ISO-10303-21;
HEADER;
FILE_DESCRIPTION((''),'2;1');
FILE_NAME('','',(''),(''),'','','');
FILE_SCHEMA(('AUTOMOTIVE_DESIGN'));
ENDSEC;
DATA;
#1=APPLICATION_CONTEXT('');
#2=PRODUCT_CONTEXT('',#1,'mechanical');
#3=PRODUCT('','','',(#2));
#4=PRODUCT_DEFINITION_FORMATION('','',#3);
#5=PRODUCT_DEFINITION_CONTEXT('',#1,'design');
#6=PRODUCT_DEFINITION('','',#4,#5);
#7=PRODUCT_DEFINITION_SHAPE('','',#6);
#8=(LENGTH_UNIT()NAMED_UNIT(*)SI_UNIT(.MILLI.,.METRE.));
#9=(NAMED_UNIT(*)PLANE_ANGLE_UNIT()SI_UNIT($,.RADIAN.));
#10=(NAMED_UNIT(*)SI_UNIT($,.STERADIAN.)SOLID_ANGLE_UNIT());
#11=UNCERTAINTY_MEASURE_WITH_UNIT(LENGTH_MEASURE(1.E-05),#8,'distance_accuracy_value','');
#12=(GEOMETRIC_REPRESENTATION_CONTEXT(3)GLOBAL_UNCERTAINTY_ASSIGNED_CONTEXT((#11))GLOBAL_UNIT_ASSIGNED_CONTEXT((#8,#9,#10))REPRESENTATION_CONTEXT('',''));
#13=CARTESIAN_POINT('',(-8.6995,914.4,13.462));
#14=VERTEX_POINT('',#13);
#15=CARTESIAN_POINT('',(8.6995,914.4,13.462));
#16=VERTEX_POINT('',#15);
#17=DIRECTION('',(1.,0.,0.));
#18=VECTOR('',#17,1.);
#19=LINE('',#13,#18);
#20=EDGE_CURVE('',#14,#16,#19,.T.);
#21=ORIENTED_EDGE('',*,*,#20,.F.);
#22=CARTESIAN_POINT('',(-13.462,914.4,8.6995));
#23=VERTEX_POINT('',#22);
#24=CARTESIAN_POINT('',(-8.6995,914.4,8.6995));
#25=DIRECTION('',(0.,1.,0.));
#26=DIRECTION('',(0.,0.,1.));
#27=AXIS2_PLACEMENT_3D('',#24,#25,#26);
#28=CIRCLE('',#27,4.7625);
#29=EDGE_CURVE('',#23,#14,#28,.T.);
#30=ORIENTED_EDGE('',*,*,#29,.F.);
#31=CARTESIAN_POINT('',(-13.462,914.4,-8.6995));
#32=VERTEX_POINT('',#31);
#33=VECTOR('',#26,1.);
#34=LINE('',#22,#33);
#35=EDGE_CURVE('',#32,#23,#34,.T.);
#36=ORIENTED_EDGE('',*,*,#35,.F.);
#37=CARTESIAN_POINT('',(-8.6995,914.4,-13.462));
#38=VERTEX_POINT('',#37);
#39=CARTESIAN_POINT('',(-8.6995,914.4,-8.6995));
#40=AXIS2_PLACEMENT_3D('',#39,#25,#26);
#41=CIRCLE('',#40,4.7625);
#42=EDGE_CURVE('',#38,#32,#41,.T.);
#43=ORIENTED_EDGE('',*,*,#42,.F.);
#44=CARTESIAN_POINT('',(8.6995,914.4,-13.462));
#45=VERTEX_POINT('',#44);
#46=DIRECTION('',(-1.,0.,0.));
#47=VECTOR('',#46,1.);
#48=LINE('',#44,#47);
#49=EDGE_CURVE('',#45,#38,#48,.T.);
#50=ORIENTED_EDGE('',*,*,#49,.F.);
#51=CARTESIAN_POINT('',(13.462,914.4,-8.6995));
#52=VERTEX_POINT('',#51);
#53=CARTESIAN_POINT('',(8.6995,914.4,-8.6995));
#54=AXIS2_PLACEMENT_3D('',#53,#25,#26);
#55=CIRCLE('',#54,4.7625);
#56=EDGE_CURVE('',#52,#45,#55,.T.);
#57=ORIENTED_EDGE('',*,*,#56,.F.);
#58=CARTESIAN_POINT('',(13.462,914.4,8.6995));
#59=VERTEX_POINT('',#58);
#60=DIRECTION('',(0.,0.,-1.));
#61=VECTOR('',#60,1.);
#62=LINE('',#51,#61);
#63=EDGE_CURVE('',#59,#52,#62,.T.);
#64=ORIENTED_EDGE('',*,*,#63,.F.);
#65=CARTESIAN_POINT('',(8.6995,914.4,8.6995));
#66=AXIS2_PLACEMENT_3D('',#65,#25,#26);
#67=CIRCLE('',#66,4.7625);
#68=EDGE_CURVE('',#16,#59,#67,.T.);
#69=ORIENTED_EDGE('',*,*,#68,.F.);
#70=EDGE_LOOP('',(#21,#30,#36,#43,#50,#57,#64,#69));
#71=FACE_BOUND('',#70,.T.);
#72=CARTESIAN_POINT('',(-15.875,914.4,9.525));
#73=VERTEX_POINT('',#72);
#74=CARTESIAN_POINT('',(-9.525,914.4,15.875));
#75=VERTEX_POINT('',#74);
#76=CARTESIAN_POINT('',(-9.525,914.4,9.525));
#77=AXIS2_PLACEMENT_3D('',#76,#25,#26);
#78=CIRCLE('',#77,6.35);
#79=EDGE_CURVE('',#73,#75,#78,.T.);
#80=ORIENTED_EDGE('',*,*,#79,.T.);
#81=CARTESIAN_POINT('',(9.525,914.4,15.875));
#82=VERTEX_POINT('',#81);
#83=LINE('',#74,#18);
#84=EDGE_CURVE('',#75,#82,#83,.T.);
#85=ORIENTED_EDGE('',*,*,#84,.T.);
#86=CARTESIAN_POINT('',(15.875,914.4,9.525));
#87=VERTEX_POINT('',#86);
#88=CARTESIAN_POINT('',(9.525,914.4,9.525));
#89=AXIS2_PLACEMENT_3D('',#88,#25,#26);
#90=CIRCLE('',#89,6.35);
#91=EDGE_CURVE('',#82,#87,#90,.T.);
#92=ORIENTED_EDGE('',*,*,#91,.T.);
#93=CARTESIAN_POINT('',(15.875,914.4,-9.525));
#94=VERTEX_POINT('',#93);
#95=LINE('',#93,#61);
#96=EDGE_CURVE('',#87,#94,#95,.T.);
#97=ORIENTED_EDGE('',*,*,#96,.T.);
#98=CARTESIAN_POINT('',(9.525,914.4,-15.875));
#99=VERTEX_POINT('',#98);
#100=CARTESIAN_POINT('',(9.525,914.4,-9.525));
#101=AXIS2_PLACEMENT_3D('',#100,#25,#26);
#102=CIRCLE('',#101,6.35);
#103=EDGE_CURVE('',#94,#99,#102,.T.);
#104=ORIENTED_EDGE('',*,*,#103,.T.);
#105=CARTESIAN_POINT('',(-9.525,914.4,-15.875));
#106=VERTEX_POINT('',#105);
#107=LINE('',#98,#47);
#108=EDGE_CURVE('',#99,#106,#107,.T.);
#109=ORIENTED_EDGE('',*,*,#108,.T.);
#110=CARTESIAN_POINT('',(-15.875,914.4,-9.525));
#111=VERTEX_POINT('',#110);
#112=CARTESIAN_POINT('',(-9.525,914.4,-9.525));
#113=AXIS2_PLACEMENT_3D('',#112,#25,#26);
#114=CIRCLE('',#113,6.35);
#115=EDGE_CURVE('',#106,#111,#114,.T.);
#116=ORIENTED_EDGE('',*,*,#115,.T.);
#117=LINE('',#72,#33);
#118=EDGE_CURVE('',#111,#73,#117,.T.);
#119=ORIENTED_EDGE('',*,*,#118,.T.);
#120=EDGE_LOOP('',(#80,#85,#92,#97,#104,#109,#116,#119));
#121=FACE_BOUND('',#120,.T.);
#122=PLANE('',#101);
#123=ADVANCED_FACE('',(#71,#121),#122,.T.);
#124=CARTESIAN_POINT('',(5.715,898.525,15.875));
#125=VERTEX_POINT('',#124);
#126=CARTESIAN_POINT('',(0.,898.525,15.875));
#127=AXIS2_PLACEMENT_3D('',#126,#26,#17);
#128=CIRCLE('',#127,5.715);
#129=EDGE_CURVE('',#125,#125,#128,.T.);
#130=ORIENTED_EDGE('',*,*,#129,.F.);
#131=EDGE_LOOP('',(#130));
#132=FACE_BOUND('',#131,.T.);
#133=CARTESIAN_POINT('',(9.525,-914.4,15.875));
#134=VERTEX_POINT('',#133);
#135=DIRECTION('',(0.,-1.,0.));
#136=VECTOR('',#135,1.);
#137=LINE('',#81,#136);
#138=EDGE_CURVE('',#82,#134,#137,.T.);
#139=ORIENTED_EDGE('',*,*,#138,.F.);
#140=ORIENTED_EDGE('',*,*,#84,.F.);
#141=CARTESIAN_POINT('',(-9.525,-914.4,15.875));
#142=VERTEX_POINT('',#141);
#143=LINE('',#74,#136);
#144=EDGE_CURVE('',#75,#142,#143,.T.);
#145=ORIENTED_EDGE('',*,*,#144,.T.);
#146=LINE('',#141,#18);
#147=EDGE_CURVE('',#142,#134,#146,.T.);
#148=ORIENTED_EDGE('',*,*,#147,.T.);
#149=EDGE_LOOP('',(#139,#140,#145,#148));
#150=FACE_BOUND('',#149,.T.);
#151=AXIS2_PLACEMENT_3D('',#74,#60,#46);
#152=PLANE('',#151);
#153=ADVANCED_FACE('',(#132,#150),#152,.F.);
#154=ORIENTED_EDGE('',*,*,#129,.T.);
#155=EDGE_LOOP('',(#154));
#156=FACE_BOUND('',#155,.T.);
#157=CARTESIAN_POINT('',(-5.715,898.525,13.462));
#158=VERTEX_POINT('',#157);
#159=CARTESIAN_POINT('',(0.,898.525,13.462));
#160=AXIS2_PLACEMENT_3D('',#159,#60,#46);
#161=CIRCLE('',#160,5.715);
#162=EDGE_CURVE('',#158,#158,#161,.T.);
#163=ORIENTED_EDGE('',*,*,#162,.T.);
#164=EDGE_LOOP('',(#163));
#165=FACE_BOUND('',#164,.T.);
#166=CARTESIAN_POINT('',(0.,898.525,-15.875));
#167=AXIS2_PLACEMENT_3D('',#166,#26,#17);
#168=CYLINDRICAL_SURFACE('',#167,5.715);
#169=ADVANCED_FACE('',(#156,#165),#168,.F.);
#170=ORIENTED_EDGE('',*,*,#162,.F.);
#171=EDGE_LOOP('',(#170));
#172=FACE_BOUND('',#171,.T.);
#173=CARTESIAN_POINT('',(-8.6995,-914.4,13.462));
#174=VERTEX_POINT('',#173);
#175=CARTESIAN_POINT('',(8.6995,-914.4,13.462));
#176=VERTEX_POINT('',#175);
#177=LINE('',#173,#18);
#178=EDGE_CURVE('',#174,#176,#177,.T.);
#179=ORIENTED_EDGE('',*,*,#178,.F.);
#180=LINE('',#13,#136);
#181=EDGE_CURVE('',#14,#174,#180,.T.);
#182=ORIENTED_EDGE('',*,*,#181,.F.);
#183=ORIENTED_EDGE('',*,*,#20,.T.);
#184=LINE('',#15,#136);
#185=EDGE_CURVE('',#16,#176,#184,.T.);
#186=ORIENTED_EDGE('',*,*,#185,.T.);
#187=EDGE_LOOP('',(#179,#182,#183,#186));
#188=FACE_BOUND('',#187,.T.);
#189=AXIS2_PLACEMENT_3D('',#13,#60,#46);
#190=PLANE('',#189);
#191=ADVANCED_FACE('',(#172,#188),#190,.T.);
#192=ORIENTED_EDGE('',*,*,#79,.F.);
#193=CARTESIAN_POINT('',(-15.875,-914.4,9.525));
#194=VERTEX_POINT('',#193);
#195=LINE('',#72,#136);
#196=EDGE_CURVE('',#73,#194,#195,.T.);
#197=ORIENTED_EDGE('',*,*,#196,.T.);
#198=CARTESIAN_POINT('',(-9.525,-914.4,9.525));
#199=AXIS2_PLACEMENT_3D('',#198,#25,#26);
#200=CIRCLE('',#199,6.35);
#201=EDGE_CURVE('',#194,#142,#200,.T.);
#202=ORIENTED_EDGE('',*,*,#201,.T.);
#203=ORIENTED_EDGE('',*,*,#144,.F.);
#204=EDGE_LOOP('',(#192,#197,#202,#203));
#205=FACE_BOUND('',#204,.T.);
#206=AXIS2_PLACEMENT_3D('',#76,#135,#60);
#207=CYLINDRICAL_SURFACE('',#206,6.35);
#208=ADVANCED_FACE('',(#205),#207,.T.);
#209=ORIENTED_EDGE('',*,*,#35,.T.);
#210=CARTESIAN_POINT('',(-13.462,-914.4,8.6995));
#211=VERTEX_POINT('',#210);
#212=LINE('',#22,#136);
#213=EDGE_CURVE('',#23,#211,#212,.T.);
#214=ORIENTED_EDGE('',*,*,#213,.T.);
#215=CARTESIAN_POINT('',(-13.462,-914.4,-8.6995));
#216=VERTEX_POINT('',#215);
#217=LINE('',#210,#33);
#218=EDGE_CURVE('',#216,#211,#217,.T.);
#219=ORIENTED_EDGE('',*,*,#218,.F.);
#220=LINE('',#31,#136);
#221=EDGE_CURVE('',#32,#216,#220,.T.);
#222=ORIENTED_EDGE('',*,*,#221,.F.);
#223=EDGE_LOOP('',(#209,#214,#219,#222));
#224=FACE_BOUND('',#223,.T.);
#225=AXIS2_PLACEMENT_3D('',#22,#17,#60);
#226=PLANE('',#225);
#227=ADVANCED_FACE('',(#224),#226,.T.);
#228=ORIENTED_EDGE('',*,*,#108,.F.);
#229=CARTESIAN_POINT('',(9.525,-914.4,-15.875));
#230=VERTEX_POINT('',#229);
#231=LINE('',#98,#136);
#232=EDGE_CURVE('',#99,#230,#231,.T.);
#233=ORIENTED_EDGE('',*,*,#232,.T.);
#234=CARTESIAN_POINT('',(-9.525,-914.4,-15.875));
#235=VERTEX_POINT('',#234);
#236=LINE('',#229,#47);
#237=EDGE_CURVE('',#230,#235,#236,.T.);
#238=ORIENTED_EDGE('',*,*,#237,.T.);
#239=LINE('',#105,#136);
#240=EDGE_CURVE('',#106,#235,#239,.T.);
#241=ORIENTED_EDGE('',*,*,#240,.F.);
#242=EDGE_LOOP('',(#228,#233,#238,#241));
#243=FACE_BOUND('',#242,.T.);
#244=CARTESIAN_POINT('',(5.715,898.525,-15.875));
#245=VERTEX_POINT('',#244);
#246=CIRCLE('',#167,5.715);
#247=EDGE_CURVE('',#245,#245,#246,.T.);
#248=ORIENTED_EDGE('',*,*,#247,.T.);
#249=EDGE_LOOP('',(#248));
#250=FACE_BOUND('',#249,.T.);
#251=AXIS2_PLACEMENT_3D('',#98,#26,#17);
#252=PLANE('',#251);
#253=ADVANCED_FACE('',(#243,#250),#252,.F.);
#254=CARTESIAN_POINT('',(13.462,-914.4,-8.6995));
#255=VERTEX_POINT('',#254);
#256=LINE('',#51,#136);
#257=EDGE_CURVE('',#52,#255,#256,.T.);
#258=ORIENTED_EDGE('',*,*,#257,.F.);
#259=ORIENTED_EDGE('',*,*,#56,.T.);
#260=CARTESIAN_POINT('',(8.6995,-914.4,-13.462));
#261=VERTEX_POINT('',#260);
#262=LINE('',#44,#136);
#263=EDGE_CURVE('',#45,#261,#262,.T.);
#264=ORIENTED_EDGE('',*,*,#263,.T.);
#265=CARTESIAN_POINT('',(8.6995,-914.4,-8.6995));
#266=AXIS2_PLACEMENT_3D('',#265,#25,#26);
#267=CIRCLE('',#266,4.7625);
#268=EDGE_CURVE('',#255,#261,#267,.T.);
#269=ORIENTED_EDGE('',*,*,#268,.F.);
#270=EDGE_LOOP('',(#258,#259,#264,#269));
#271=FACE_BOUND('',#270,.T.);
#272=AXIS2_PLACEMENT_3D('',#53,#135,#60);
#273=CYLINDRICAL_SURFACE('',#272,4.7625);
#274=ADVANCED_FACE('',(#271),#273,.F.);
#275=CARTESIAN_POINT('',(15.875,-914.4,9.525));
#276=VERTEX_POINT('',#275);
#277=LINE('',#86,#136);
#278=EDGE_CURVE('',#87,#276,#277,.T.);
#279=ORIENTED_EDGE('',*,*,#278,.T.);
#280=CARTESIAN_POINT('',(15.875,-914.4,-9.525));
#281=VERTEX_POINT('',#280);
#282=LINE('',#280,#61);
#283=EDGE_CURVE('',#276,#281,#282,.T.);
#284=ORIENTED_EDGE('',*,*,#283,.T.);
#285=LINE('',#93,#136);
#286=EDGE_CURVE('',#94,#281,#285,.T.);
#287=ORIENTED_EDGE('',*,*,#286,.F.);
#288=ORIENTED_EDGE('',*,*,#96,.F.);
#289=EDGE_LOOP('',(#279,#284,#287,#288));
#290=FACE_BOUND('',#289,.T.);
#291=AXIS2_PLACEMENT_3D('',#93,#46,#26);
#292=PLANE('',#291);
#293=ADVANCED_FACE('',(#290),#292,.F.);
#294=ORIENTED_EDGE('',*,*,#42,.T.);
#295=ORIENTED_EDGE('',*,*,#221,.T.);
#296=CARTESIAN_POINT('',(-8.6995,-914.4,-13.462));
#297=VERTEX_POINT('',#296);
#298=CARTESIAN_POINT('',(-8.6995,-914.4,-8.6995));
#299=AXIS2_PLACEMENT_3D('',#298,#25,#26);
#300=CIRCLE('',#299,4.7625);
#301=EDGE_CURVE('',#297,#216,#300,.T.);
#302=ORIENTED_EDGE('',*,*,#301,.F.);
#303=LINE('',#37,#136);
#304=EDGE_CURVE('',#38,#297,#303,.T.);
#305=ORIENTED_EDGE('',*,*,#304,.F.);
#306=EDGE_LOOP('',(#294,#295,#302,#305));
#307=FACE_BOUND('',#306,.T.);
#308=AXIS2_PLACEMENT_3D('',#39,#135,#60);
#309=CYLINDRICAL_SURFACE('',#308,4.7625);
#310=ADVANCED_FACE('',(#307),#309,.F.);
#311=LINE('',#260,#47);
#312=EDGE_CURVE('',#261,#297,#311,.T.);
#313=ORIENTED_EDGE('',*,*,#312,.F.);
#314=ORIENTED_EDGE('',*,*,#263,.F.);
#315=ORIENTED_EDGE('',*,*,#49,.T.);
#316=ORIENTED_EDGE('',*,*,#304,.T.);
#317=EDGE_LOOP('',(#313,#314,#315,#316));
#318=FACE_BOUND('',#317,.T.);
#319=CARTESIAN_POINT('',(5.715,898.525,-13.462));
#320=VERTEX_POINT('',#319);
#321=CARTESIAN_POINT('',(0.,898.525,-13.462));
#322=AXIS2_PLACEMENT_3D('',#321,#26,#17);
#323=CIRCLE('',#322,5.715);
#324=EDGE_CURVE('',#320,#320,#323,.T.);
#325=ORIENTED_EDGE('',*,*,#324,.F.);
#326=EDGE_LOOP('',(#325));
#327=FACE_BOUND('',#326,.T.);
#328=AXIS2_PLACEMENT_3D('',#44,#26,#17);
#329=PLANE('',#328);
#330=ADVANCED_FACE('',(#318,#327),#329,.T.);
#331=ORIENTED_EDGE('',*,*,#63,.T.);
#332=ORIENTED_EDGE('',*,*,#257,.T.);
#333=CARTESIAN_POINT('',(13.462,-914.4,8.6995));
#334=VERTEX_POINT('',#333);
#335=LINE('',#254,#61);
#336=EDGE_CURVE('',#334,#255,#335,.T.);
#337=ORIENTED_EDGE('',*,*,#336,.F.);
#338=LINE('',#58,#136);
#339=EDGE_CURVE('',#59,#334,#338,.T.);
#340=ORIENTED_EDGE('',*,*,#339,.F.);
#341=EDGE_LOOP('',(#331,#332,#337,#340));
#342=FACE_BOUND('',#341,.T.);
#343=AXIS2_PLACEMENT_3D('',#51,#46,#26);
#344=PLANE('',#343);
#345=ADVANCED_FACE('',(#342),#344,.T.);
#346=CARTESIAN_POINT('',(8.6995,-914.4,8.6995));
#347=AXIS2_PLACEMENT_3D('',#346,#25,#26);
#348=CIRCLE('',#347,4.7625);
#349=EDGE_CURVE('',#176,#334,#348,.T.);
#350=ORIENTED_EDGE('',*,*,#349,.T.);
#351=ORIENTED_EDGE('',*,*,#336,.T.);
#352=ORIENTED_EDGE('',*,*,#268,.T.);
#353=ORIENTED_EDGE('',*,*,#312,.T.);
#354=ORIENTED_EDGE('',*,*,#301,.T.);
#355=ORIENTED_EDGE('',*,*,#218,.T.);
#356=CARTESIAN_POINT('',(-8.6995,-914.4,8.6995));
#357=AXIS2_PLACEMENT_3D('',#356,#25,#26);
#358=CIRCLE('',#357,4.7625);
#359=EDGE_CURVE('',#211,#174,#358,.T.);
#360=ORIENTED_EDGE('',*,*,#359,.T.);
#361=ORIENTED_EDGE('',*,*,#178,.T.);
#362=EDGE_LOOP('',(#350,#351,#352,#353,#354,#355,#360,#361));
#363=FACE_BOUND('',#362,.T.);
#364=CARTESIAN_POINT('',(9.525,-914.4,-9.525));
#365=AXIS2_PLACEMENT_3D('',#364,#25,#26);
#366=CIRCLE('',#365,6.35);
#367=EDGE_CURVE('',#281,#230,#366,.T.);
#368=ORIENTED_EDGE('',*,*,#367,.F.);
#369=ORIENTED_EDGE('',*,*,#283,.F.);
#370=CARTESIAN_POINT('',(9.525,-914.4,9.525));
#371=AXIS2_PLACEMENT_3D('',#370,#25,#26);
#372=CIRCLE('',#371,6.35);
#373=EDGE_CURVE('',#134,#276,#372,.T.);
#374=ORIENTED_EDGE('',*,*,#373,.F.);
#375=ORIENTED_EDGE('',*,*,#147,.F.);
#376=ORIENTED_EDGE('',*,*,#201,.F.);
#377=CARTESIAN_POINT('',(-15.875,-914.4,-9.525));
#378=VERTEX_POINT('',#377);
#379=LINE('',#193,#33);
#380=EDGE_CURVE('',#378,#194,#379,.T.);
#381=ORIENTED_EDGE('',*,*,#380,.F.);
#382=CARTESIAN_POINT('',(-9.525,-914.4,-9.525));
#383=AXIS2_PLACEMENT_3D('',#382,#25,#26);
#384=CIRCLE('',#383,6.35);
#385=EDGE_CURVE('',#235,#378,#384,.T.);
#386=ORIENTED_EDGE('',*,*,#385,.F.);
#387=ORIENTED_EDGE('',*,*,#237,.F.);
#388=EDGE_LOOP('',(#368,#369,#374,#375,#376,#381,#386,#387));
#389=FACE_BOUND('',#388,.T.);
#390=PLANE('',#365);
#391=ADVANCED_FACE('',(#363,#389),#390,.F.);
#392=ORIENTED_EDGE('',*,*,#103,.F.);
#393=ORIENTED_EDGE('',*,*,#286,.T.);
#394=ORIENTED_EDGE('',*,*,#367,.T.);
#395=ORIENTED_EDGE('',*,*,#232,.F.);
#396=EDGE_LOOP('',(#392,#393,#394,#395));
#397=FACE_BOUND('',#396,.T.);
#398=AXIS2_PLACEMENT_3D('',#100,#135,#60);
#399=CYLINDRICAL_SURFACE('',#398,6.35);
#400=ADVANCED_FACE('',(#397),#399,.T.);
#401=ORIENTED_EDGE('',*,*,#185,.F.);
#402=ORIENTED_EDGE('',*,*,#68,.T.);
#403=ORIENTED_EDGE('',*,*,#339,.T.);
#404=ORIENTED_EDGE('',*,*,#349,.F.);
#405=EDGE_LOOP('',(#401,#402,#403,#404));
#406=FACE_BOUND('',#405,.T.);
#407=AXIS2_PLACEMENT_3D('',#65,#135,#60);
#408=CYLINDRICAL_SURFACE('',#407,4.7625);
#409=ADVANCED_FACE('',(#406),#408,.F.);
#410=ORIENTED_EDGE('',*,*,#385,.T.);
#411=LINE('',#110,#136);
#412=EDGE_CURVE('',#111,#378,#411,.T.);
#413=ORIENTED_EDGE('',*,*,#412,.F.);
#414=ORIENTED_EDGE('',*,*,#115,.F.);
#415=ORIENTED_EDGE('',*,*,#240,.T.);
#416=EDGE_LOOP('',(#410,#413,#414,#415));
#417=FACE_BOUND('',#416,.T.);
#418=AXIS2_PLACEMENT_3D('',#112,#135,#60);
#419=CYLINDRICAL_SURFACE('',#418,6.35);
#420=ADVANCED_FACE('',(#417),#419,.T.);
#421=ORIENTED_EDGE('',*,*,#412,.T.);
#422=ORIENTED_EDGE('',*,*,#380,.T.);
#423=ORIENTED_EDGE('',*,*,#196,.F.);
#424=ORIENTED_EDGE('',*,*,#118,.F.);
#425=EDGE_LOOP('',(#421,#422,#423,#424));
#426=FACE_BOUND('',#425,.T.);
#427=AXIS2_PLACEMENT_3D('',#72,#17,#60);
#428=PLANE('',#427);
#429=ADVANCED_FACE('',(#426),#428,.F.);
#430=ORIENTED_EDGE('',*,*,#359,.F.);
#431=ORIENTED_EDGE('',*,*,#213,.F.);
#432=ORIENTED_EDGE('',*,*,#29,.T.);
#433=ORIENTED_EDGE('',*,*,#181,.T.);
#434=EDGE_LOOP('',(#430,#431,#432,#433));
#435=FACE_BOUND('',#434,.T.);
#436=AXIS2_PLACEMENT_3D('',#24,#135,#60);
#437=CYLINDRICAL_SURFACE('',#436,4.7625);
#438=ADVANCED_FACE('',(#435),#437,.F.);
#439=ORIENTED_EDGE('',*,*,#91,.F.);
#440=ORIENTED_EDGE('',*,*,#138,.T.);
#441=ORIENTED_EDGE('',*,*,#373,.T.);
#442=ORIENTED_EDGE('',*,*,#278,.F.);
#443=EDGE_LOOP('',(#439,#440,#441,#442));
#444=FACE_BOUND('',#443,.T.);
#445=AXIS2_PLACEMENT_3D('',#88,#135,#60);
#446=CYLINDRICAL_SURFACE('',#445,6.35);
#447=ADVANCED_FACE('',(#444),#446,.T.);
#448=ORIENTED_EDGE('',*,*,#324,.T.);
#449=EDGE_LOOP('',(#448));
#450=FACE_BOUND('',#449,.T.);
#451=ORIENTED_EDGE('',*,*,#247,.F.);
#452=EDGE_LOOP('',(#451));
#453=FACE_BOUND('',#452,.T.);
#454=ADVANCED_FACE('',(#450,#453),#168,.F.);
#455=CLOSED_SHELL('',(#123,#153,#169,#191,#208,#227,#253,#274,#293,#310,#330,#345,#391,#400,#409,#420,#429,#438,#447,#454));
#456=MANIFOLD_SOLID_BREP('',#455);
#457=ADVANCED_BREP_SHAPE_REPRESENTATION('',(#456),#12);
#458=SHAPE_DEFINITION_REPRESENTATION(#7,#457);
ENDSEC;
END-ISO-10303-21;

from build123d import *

# Parameters (mm, degrees)
BOSS_EXTRUDE1_DEPTH = 914.4
SKETCH2_R           = 5.715
CUT_EXTRUDE1_DEPTH  = 32.75


with BuildPart() as part:
    # Sketch1 → Boss-Extrude1 (new body, symmetric)
    with BuildSketch(Plane(origin=(0, 0, 0), x_dir=(1, 0, 0), z_dir=(0, 1, 0))):
        with BuildLine():
            Line((-9.525, -15.875), (9.525, -15.875))
            ThreePointArc((9.525, -15.875), (14.015128061, -14.015128061), (15.875, -9.525))
            Line((15.875, -9.525), (15.875, 9.525))
            ThreePointArc((15.875, 9.525), (14.015128061, 14.015128061), (9.525, 15.875))
            Line((9.525, 15.875), (-9.525, 15.875))
            ThreePointArc((-9.525, 15.875), (-14.015128061, 14.015128061), (-15.875, 9.525))
            Line((-15.875, 9.525), (-15.875, -9.525))
            ThreePointArc((-15.875, -9.525), (-14.015128061, -14.015128061), (-9.525, -15.875))
        make_face()
        with BuildLine():
            Line((-8.6995, -13.462), (8.6995, -13.462))
            ThreePointArc((8.6995, -13.462), (12.067096045, -12.067096045), (13.462, -8.6995))
            Line((13.462, -8.6995), (13.462, 8.6995))
            ThreePointArc((13.462, 8.6995), (12.067096045, 12.067096045), (8.6995, 13.462))
            Line((8.6995, 13.462), (-8.6995, 13.462))
            ThreePointArc((-8.6995, 13.462), (-12.067096045, 12.067096045), (-13.462, 8.6995))
            Line((-13.462, 8.6995), (-13.462, -8.6995))
            ThreePointArc((-13.462, -8.6995), (-12.067096045, -12.067096045), (-8.6995, -13.462))
        make_face(mode=Mode.SUBTRACT)
    extrude(amount=BOSS_EXTRUDE1_DEPTH, both=True)

    # Sketch2 → Cut-Extrude1 (cut, through all)
    with BuildSketch(Plane.XY.offset(15.875)):
        with Locations((0, 898.525)):
            Circle(SKETCH2_R)
    extrude(amount=-CUT_EXTRUDE1_DEPTH, mode=Mode.SUBTRACT)


solid = part.part
